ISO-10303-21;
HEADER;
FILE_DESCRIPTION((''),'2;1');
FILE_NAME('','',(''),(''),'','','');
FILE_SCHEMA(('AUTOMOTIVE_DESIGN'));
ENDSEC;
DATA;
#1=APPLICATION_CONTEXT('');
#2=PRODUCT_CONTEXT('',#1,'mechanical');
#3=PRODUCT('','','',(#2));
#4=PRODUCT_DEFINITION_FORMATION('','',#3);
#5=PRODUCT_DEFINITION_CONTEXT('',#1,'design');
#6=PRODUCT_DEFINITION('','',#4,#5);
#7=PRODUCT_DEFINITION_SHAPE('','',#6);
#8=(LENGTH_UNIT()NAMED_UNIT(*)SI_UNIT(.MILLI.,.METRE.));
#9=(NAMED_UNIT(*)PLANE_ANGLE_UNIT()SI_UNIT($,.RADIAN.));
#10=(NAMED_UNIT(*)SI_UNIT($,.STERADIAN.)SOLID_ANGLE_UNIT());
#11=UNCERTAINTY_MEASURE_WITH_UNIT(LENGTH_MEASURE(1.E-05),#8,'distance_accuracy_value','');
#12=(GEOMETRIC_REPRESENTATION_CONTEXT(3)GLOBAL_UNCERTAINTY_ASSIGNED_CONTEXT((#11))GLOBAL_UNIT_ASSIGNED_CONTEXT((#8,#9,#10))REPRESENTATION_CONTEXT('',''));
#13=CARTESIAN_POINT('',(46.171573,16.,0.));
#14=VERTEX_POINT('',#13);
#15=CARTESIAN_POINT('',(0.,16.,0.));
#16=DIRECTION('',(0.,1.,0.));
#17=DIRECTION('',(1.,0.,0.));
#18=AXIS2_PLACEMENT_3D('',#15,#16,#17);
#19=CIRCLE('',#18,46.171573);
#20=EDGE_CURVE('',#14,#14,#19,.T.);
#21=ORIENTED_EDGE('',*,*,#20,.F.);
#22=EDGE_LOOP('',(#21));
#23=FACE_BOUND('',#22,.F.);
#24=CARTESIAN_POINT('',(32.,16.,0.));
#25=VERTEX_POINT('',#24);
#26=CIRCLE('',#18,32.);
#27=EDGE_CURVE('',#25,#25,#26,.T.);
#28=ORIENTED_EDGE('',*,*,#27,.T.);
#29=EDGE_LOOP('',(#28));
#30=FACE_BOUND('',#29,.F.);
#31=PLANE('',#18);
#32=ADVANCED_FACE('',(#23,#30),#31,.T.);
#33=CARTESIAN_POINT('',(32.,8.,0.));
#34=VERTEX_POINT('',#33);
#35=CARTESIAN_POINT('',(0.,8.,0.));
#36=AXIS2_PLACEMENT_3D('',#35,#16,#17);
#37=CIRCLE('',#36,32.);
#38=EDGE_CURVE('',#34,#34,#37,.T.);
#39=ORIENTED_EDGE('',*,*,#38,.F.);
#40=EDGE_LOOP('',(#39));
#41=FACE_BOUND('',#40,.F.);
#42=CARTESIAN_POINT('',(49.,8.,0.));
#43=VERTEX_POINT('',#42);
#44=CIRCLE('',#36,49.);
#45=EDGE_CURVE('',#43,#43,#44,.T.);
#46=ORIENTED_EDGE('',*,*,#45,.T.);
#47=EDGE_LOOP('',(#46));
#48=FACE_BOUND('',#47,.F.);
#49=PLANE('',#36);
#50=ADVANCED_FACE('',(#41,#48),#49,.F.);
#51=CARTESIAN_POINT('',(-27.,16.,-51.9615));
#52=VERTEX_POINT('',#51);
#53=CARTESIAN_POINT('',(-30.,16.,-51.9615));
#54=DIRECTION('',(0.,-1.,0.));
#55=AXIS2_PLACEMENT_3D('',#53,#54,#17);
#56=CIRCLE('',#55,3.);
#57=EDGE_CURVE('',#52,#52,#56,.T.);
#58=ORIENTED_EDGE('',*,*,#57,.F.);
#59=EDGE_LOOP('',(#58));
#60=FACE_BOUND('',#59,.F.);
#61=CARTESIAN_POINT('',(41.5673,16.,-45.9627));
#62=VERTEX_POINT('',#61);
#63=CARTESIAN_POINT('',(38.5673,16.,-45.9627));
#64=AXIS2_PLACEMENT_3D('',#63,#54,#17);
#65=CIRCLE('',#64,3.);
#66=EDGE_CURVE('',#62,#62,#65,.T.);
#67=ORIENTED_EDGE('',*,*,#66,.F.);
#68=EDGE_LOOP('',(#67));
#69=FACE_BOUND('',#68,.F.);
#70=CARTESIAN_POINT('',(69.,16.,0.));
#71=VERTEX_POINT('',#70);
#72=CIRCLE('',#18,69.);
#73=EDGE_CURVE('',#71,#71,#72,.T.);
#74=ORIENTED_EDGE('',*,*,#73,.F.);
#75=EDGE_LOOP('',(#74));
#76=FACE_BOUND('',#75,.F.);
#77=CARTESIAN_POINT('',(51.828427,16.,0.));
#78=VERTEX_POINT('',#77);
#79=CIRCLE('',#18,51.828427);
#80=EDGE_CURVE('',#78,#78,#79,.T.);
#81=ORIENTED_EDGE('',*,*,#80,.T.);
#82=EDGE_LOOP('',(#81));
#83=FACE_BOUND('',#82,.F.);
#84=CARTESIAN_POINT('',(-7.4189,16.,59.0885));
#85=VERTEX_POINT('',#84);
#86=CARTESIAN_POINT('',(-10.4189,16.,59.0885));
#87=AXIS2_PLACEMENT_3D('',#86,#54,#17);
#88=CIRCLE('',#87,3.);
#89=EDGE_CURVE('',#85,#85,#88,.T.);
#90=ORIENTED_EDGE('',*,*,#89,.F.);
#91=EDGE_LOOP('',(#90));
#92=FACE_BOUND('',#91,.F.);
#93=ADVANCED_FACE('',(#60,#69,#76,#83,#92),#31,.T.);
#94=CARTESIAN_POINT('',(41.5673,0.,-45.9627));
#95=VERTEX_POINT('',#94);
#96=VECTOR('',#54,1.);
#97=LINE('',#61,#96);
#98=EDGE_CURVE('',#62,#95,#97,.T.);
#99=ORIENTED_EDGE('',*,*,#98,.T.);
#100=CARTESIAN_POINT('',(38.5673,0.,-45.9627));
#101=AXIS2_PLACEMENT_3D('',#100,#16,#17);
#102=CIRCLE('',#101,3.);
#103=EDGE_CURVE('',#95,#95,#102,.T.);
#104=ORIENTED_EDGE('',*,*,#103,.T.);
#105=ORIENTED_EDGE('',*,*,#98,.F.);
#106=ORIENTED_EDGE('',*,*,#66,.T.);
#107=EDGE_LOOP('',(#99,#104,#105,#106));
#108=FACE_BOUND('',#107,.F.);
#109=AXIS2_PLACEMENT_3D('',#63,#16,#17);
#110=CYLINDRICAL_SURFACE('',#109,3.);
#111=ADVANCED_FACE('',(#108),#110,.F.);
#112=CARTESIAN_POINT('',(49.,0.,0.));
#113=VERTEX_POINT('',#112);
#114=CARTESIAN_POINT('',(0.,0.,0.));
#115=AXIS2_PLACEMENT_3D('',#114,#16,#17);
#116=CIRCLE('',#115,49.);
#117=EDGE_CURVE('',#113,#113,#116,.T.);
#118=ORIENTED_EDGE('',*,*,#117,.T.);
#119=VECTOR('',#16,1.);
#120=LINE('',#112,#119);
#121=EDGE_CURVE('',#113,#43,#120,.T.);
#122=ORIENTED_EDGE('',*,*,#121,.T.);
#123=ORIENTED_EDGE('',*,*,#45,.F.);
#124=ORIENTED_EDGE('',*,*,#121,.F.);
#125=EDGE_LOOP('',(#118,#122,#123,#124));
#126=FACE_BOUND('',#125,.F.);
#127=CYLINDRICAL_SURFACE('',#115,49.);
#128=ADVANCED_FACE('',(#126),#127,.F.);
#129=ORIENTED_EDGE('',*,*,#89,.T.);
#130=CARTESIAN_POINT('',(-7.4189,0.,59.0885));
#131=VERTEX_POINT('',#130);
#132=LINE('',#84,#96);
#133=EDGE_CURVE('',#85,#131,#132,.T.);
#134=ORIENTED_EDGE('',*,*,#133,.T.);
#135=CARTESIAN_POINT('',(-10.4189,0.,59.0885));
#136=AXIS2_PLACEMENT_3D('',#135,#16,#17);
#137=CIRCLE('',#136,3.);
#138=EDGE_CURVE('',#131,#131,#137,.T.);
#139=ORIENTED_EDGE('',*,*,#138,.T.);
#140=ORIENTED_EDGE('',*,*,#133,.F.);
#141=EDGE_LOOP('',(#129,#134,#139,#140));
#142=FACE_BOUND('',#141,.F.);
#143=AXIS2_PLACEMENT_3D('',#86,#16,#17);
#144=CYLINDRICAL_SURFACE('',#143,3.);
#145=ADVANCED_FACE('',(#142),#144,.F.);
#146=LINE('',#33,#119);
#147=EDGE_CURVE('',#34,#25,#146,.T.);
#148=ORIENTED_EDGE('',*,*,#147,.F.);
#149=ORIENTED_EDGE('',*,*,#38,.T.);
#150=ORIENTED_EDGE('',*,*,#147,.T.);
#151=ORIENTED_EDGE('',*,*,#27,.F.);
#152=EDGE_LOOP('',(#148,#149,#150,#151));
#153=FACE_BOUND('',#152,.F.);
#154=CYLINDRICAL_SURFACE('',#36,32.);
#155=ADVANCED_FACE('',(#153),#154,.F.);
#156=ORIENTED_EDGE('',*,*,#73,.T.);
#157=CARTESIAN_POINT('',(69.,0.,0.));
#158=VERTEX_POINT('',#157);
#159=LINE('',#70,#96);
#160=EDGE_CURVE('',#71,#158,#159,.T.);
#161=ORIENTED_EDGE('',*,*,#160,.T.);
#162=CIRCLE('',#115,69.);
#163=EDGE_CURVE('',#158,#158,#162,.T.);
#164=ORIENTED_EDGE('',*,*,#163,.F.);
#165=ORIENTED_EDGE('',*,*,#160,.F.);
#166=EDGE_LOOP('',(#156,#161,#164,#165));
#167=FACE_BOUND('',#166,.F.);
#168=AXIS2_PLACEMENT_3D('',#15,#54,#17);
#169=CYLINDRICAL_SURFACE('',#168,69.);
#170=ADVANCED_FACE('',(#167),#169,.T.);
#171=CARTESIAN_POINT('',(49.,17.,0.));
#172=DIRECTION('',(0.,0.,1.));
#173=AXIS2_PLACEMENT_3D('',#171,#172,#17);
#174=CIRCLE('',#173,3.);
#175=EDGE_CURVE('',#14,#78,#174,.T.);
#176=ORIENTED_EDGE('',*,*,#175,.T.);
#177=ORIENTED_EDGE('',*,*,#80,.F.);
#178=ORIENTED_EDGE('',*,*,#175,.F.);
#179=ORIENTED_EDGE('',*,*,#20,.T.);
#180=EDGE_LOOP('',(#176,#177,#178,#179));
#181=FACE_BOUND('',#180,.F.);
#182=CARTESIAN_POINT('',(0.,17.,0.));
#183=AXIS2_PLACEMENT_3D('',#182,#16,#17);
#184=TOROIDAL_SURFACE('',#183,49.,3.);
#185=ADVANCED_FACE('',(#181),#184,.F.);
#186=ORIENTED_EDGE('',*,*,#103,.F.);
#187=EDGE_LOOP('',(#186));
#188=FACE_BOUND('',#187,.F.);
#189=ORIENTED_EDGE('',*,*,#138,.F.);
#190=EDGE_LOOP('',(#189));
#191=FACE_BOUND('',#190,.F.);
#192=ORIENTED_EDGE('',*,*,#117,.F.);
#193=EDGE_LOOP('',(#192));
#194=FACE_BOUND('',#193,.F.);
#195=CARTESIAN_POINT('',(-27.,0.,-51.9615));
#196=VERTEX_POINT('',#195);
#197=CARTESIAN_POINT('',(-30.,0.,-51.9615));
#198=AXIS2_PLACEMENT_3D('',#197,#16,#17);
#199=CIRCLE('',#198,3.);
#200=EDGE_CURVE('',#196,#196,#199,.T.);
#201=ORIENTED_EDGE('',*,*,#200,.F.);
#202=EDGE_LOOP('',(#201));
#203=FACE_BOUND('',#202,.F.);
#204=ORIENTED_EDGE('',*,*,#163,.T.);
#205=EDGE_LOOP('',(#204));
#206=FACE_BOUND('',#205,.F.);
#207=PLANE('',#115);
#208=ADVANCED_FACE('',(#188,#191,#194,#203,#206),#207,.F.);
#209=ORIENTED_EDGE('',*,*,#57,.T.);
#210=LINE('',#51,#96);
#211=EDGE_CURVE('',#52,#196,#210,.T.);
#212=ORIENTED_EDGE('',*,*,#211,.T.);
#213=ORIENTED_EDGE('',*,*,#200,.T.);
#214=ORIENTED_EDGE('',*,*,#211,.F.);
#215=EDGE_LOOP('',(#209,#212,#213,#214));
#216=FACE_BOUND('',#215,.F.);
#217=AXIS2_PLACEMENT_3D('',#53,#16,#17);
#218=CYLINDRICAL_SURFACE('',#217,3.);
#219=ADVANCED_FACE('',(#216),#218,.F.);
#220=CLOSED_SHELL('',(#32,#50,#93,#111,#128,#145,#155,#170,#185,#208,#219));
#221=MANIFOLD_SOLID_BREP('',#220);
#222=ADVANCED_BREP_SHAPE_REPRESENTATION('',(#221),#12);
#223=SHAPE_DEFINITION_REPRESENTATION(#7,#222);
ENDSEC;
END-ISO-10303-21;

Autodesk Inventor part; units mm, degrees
ref_plane "YZ Plane" through (0, 0, 0) normal (1, 0, 0) x (0, 1, 0)
ref_plane "XZ Plane" through (0, 0, 0) normal (0, 1, 0) x (-1, 0, 0)
ref_plane "XY Plane" through (0, 0, 0) normal (0, 0, 1) x (1, 0, 0)
sketch "Эскиз1" plane through (0, 0, 0) normal (0, 0, 1) x (1, 0, 0)
  line L0 (0, 0) -> (0, 8)
  line L1 (0, 8) -> (0, 16)
  line L2 (0, 16) -> (69, 16)
  line L3 (69, 16) -> (69, 0)
  line L4 (69, 0) -> (49, 0)
  line L5 (49, 0) -> (49, 8)
  line L6 (49, 8) -> (32, 8)
  line L7 (32, 8) -> (32, 16)
  line L8 (0, 16) -> (49, 16)
  line L9 (49, 16) -> (49, 17)
  circle A0 centre (49, 17) radius 3
  point P0 (51.8284, 16)
  point P1 (46.1716, 16)
  dimension "d0" = 8
  dimension "d1" = 8
  dimension "d2" = 69
  dimension "d3" = 20
  dimension "d4" = 17
  dimension "d6" = 32
  dimension "d7" = 49
  dimension "d8" = 49
  dimension "d9" = 1
  dimension "d10" = 6
revolve "Вращение1" add sketch "Эскиз1" angle 360 about axis through (0, 8, 0) along (0, 1, 0) contours L2 A0 L3 L4 L5 L6 L7
sketch "Эскиз2" plane through (0, 16, 0) normal (0, 1, 0) x (1, 0, 0)
  line L0 (0, 0) -> (38.5673, 45.9627)
  line L1 (0, 0) -> (60, 0) construction
  line L2 (0, 0) -> (-30, 51.9615)
  line L3 (0, 0) -> (60, 0) construction
  line L4 (0, 0) -> (-10.4189, -59.0885)
  line L5 (0, 0) -> (60, 0) construction
  circle A0 centre (-30, 51.9615) radius 3
  circle A1 centre (38.5673, 45.9627) radius 3
  circle A2 centre (-10.4189, -59.0885) radius 3
  dimension "d11" = 60
  dimension "d12" = 50
  dimension "d13" = 60
  dimension "d14" = 120
  dimension "d15" = 60
  dimension "d16" = 100
  dimension "d17" = 6
  dimension "d18" = 6
  dimension "d19" = 6
extrude "Выдавливание1" cut sketch "Эскиз2" against normal through all
properties part number "Корпус дросселя_CPY" material "Чугун, серый"
